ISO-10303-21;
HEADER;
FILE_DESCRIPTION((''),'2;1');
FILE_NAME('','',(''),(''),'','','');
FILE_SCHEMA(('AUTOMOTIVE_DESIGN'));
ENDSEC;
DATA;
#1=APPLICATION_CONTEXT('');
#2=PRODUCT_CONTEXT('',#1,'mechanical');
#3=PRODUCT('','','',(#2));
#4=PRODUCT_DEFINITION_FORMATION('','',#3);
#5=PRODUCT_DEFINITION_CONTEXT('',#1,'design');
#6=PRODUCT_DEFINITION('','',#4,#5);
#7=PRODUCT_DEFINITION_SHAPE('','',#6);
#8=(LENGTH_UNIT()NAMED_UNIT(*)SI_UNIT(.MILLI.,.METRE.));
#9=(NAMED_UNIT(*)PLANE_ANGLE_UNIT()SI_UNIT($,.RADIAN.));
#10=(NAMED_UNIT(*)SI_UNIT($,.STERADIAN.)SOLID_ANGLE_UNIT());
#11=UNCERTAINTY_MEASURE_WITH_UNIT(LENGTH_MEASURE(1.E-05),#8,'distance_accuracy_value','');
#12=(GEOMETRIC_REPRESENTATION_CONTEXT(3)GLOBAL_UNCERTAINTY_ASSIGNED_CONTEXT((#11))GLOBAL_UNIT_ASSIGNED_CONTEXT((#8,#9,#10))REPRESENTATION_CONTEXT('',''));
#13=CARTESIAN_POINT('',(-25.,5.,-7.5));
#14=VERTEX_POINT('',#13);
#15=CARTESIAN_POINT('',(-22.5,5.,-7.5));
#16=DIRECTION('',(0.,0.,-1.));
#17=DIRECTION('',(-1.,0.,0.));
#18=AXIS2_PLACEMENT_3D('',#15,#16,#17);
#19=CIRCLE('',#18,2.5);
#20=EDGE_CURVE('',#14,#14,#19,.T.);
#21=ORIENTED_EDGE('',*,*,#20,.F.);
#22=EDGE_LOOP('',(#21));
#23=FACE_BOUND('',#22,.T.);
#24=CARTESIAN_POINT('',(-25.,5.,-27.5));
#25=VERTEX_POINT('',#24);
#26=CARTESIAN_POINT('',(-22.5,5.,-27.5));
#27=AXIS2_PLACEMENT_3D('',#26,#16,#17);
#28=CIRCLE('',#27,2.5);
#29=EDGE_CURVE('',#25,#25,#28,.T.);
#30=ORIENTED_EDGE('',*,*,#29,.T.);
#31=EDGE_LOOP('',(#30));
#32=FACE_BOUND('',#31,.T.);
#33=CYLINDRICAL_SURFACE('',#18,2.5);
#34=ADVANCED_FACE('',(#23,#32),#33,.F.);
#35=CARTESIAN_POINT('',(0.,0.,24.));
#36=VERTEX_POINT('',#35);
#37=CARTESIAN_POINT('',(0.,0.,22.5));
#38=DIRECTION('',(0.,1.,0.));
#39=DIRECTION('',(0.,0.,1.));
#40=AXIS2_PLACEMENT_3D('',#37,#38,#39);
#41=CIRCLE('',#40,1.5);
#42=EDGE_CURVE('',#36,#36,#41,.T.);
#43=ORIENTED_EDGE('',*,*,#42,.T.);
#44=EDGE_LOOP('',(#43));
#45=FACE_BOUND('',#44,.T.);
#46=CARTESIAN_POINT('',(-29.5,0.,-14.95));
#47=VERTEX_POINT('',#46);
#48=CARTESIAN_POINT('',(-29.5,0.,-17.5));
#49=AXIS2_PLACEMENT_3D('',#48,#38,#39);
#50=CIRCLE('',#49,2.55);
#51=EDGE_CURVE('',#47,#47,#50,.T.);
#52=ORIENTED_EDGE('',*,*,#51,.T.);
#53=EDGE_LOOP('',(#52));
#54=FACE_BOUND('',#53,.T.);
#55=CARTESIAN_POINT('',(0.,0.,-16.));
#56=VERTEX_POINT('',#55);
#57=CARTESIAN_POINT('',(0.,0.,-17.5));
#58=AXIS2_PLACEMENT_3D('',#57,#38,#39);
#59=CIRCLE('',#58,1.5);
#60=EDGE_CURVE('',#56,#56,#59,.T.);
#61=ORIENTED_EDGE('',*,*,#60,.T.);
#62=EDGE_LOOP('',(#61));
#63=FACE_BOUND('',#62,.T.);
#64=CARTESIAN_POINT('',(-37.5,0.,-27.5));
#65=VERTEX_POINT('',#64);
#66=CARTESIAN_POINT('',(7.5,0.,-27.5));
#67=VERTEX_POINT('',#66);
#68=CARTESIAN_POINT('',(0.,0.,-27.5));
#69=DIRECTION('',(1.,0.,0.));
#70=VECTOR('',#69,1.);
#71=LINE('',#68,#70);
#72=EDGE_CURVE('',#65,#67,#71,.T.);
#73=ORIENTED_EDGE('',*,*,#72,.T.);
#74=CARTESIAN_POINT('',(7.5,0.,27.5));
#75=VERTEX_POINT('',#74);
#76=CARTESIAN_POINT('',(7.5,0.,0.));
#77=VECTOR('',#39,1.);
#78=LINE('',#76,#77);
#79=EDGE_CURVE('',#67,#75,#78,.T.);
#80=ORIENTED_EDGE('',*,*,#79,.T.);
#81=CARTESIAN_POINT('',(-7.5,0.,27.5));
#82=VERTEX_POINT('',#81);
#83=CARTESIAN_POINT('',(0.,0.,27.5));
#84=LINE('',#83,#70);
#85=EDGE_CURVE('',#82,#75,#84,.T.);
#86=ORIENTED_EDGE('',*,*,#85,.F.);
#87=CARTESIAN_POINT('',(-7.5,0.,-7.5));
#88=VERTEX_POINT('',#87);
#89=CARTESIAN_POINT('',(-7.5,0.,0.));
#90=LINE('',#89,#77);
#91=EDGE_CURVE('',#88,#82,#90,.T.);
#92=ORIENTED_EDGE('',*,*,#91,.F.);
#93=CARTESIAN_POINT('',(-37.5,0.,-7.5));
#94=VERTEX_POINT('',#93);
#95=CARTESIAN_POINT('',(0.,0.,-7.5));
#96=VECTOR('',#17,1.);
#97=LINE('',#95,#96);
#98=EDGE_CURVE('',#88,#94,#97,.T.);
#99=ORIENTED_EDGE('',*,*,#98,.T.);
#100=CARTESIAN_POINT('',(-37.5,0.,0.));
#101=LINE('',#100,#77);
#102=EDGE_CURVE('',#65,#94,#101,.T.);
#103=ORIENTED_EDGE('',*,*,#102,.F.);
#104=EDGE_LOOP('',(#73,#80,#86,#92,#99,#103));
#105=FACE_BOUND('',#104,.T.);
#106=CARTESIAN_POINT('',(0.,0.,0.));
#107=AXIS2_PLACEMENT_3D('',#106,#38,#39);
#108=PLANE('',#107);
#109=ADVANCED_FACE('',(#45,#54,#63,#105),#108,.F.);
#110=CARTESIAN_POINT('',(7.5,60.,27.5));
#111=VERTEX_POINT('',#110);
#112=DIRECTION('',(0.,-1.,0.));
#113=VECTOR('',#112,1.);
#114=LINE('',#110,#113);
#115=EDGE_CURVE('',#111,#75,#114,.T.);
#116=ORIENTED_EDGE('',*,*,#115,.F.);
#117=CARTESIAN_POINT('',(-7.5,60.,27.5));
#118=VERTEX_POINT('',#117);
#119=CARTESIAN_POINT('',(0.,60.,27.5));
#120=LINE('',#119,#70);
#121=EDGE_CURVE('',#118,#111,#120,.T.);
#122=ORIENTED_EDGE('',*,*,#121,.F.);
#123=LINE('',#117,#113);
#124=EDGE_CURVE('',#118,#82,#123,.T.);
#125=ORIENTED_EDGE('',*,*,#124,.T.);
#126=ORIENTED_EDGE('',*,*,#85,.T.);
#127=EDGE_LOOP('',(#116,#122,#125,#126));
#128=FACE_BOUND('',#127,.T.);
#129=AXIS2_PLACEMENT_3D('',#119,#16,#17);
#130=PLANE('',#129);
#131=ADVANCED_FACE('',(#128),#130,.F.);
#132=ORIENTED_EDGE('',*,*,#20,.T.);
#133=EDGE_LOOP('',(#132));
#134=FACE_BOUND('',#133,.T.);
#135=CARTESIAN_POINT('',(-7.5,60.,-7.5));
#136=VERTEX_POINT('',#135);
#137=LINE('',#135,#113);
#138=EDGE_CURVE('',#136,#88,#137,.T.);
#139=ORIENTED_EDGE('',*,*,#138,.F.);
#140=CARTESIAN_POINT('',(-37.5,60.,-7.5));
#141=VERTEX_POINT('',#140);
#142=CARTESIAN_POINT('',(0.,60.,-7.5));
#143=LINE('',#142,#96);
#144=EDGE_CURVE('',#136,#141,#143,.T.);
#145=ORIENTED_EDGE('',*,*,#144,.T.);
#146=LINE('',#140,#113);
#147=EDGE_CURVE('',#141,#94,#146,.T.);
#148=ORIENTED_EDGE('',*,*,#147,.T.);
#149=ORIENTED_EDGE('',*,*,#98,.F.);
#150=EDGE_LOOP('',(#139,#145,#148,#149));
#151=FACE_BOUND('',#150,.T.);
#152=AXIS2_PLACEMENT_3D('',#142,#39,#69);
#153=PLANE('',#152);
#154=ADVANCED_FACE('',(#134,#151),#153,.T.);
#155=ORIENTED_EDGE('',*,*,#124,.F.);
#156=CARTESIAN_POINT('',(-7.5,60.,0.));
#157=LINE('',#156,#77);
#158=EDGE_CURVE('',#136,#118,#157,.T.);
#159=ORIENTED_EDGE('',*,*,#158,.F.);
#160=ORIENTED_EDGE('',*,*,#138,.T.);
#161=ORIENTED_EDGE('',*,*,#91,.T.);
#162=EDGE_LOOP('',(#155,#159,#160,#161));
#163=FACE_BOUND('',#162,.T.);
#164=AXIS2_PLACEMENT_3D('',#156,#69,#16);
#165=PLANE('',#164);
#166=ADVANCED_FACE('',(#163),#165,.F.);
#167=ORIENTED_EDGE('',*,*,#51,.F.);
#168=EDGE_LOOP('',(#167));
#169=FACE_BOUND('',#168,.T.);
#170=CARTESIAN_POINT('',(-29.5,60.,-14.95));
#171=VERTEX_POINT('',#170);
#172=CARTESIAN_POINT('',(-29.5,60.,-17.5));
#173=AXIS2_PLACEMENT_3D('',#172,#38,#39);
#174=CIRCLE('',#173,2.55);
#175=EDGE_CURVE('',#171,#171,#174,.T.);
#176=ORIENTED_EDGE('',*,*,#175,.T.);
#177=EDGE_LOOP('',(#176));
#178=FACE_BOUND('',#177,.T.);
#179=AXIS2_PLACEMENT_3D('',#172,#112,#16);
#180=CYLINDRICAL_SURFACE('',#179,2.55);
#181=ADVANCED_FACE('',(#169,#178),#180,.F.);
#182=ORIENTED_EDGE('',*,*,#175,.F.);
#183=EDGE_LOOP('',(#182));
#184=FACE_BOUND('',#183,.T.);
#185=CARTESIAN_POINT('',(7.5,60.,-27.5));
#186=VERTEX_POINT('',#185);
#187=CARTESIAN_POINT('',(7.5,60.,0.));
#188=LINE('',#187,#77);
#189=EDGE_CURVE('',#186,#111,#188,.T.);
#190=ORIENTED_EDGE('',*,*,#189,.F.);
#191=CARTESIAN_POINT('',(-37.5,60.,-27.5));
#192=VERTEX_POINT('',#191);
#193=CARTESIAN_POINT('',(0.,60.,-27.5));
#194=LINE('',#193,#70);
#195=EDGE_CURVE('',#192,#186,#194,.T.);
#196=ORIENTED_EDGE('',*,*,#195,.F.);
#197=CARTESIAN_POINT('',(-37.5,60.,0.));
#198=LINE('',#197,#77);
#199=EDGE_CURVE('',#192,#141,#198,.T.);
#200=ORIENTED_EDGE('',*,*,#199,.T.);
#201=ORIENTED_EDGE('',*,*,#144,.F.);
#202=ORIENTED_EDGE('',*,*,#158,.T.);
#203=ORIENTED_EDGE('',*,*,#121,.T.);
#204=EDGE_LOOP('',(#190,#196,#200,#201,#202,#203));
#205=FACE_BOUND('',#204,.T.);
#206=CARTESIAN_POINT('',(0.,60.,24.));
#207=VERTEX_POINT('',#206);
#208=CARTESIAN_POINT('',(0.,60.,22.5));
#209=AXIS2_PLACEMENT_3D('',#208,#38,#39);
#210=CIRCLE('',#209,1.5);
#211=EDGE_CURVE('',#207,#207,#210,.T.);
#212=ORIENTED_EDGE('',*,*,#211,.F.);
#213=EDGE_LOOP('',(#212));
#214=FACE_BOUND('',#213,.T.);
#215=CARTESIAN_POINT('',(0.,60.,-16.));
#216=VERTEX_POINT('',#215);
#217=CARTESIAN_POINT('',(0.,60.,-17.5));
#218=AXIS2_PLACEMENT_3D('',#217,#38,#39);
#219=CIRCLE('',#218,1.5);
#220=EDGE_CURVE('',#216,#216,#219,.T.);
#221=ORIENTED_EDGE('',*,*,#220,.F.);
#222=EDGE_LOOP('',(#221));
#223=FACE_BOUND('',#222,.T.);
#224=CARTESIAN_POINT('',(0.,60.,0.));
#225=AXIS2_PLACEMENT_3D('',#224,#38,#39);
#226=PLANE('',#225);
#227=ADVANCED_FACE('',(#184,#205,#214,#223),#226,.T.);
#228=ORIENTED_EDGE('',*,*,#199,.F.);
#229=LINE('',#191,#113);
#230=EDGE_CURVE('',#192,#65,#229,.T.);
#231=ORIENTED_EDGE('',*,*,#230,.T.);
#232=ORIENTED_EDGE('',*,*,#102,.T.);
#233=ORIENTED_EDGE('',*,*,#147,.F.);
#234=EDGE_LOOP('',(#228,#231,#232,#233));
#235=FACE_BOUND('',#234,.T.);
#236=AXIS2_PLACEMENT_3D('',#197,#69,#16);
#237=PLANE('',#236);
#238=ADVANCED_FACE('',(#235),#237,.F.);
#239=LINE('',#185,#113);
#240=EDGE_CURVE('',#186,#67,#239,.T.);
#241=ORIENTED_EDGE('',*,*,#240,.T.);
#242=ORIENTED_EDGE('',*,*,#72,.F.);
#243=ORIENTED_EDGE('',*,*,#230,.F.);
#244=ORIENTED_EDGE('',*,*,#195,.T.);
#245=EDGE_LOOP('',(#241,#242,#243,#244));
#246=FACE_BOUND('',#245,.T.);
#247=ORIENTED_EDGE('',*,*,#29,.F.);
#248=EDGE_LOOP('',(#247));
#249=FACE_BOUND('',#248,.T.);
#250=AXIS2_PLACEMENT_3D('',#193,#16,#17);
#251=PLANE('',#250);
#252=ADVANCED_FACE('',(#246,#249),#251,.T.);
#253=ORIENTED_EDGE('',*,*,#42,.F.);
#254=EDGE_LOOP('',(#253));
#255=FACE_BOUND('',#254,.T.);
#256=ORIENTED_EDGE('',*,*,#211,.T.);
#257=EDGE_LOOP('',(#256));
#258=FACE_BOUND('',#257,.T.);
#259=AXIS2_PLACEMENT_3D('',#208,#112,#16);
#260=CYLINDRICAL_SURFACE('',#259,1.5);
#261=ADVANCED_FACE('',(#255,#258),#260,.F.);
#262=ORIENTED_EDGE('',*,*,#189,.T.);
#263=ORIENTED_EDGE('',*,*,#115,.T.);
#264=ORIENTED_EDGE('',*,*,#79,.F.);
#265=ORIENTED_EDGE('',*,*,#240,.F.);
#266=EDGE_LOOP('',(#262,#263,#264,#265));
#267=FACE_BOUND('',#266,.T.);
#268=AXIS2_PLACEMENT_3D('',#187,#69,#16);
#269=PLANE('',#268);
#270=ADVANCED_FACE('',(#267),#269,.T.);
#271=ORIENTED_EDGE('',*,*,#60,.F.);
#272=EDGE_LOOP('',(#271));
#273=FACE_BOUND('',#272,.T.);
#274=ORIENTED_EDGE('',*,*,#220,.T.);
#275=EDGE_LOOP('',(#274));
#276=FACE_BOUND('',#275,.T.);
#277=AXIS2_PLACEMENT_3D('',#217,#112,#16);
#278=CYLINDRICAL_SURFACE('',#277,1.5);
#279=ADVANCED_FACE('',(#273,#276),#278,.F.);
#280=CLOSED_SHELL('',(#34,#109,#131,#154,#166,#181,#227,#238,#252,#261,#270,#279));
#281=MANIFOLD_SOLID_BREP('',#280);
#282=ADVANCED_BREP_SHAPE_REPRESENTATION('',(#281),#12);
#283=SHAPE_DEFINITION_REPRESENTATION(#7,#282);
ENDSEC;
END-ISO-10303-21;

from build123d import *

# Parameters (mm, degrees)
SKETCH1_W           = 15
SKETCH1_H           = 55
SKETCH1_R           = 1.5
SKETCH1_W_2         = 30
SKETCH1_H_2         = 20
SKETCH1_R_2         = 2.55
BOSS_EXTRUDE1_DEPTH = 60
SKETCH2_R           = 2.5
CUT_EXTRUDE1_DEPTH  = 20


with BuildPart() as part:
    # Sketch1 → Boss-Extrude1 (new body)
    # profile 1 of 2: a face of its own
    with BuildSketch(Plane(origin=(0, 0, 0), x_dir=(1, 0, 0), z_dir=(0, 1, 0))):
        Rectangle(SKETCH1_W, SKETCH1_H)
        with Locations(Location((0, -22.5, 0), (0, 0, 270))):
            Circle(SKETCH1_R, mode=Mode.SUBTRACT)
        with Locations(Location((0, 17.5, 0), (0, 0, 270))):
            Circle(SKETCH1_R, mode=Mode.SUBTRACT)
    # profile 2 of 2: a face of its own
    with BuildSketch(Plane(origin=(0, 0, 0), x_dir=(1, 0, 0), z_dir=(0, 1, 0))):
        with Locations((-22.5, 17.5)):
            Rectangle(SKETCH1_W_2, SKETCH1_H_2)
        with Locations(Location((-29.5, 17.5, 0), (0, 0, 270))):
            Circle(SKETCH1_R_2, mode=Mode.SUBTRACT)
    extrude(amount=BOSS_EXTRUDE1_DEPTH)

    # Sketch2 → Cut-Extrude1 (cut)
    with BuildSketch(Plane(origin=(0, 0, -27.5), x_dir=(-1, 0, 0), z_dir=(0, 0, -1))):
        with Locations((22.5, 5)):
            Circle(SKETCH2_R)
    extrude(amount=-CUT_EXTRUDE1_DEPTH, mode=Mode.SUBTRACT)


solid = part.part
